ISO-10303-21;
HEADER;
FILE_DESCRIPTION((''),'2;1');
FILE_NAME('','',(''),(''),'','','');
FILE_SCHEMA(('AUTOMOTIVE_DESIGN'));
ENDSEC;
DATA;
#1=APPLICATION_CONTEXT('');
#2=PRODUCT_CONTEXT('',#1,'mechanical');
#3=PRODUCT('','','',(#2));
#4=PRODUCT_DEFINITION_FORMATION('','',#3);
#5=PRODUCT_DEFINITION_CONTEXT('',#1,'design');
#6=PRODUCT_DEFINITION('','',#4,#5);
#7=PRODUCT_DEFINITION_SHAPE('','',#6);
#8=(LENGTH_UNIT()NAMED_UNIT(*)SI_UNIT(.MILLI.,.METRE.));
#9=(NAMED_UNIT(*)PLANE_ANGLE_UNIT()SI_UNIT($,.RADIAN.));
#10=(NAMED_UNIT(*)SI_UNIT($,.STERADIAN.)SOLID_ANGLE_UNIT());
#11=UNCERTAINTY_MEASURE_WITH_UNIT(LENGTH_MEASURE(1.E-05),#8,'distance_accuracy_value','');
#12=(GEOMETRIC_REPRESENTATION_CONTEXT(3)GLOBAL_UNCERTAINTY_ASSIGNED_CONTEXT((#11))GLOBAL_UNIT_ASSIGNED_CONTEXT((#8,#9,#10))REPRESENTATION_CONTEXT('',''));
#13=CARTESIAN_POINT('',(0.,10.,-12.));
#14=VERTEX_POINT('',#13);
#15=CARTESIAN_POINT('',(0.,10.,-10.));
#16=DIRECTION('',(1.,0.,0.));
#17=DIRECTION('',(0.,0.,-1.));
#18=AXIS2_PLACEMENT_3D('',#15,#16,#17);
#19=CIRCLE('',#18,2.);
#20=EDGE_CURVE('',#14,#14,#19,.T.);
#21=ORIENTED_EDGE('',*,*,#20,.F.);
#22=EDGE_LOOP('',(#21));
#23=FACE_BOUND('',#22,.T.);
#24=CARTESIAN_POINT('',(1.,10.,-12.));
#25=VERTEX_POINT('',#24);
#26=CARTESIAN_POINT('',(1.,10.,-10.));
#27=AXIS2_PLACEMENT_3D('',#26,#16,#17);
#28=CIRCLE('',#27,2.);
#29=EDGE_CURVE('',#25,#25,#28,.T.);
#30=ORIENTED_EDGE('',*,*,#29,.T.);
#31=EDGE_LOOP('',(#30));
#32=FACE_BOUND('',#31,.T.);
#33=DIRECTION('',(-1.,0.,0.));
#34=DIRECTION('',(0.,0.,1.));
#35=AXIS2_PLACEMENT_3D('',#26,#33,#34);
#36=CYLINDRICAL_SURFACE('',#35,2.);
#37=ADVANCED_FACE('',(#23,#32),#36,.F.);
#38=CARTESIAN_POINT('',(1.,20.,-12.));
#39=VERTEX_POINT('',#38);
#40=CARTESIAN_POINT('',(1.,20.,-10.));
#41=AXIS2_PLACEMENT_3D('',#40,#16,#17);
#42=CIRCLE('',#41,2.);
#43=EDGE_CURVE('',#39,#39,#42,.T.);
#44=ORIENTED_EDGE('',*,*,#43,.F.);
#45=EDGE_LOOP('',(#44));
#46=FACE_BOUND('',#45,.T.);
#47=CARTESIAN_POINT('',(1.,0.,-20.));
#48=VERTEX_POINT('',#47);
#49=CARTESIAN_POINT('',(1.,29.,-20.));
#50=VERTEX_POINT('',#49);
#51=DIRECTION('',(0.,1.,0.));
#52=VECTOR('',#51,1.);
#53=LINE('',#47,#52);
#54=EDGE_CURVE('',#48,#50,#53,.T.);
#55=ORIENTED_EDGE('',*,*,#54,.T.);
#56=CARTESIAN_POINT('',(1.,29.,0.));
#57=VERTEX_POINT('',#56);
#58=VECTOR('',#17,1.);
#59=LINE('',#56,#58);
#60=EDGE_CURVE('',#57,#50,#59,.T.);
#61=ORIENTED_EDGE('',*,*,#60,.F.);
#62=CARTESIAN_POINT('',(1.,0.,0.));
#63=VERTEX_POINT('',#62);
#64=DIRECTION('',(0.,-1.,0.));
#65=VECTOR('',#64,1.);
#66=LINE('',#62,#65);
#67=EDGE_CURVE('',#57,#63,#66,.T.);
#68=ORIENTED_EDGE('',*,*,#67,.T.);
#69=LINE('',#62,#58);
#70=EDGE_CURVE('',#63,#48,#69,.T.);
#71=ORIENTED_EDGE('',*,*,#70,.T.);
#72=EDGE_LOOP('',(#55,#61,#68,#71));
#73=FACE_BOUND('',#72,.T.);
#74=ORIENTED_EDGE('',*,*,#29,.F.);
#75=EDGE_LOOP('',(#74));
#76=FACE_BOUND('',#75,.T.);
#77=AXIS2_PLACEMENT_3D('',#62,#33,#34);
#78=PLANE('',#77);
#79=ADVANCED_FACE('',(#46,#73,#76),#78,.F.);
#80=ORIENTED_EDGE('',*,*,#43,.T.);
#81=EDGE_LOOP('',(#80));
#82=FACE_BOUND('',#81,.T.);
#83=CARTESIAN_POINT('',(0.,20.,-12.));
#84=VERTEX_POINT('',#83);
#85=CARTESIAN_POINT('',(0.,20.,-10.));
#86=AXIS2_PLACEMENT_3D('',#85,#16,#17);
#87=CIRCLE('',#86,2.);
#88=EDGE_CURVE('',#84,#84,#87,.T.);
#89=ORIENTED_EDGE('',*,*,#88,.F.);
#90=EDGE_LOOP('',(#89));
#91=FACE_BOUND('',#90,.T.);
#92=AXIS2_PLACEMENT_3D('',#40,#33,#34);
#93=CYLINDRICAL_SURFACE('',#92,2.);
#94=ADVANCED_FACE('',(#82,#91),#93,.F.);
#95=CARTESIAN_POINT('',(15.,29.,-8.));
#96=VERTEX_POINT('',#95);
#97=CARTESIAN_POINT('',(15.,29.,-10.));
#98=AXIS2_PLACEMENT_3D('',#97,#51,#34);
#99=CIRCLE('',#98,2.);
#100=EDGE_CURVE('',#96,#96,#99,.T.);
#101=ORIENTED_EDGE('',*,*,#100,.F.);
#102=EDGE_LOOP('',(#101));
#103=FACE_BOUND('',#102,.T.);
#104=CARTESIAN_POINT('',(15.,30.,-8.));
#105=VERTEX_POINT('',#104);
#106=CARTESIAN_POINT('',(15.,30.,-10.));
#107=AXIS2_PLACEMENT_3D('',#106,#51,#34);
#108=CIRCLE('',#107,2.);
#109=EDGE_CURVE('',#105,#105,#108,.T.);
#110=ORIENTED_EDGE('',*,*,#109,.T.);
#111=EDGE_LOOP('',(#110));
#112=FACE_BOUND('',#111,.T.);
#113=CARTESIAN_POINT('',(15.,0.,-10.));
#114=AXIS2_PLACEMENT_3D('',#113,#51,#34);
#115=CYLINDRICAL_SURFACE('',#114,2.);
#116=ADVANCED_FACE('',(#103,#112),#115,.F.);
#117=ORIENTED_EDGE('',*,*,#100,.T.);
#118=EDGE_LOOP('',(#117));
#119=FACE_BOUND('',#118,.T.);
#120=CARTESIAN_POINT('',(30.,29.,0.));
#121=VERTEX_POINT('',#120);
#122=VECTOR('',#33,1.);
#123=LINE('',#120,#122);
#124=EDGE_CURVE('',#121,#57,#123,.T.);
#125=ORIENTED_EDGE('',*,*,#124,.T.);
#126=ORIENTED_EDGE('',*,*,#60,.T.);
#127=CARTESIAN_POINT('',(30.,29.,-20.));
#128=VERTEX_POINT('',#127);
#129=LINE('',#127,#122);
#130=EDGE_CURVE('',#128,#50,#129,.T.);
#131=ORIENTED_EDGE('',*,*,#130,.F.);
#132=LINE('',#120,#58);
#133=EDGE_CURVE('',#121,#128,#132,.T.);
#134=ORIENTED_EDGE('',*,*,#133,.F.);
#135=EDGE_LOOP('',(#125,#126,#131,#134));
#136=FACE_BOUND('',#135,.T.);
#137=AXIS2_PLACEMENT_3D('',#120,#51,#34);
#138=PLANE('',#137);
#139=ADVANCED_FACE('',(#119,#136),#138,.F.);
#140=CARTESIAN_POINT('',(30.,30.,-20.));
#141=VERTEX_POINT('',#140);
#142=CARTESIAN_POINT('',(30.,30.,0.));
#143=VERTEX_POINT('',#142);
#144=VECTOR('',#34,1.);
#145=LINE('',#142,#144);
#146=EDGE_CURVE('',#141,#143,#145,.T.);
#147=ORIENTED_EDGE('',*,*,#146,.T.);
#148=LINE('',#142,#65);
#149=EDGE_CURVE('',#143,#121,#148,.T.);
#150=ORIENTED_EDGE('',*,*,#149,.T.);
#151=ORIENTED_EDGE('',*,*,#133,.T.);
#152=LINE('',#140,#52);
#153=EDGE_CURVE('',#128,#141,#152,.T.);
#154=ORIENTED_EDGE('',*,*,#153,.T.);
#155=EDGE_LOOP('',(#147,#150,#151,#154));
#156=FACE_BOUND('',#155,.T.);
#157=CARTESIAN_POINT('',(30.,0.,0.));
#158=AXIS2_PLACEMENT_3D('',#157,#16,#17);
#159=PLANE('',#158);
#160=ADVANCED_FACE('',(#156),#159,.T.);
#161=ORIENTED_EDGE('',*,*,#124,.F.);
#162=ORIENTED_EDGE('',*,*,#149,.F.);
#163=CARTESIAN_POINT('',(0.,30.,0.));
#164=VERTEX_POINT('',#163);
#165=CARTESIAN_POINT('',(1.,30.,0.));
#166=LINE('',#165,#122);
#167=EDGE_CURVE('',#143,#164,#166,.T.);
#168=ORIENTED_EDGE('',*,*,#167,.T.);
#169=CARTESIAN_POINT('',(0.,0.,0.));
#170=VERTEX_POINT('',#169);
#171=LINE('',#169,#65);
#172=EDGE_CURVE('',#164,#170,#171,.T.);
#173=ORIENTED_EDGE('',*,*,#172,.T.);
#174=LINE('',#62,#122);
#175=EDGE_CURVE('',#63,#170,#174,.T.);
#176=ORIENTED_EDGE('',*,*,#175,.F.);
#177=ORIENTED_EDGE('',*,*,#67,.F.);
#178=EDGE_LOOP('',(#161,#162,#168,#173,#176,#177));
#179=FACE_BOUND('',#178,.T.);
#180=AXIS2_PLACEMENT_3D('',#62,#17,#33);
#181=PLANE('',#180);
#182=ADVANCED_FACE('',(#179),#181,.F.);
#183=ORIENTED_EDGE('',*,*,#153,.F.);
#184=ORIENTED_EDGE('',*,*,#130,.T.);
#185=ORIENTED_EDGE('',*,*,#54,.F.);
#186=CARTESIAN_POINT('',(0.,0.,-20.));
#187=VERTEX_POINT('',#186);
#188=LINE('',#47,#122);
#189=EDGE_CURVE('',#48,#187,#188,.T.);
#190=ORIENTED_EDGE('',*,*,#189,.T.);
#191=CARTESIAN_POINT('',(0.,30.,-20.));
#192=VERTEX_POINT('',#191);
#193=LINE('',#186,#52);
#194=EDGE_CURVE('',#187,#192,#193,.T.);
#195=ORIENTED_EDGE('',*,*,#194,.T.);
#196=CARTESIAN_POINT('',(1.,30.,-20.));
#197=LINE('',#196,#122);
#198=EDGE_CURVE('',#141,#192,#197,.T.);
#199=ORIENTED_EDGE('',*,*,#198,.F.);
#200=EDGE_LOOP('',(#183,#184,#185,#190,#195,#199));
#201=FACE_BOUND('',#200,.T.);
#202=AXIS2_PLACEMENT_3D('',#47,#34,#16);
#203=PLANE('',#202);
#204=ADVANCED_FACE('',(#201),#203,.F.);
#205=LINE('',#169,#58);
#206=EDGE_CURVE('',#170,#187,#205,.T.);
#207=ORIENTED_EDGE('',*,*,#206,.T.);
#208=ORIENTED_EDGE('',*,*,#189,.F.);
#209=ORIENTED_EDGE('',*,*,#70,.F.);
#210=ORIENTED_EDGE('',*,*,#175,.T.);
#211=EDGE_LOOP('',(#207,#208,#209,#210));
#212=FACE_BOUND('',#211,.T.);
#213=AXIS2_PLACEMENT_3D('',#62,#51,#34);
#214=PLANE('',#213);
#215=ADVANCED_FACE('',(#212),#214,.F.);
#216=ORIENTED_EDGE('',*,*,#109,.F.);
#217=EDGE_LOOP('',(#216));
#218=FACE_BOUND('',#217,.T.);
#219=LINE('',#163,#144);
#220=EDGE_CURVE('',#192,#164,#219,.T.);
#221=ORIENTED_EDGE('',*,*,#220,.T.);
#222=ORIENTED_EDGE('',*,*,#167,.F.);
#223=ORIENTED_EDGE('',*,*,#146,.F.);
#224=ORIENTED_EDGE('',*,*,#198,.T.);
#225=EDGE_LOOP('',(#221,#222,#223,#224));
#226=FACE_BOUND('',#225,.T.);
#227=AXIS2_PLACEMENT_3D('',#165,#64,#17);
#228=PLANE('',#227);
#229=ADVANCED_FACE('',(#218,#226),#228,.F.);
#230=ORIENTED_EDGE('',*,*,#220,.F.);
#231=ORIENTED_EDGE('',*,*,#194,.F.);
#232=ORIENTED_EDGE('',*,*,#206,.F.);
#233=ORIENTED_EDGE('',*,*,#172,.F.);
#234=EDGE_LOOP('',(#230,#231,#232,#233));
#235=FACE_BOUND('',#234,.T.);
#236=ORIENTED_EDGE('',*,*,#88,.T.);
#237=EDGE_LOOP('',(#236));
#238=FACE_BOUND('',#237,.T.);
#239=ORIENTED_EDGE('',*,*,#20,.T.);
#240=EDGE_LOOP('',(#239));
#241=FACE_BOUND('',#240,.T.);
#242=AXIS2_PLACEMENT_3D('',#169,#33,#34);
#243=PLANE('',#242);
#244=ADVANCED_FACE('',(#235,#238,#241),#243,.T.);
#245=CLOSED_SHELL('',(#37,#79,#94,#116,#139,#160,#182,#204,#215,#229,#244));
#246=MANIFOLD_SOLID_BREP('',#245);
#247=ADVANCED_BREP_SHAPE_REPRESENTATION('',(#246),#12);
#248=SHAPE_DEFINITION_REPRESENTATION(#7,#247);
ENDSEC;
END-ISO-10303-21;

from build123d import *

# Parameters (mm, degrees)
SKETCH2_W           = 20
SKETCH2_H           = 30
SKETCH2_R           = 2
BOSS_EXTRUDE1_DEPTH = 1
SKETCH3_W           = 20
SKETCH3_H           = 1
BOSS_EXTRUDE2_DEPTH = 29
SKETCH4_R           = 2
CUT_EXTRUDE1_DEPTH  = 30


with BuildPart() as part:
    # Sketch2 → Boss-Extrude1 (new body)
    with BuildSketch(Plane(origin=(0, 0, 0), x_dir=(0, 0, -1), z_dir=(1, 0, 0))):
        with Locations((10, 15)):
            Rectangle(SKETCH2_W, SKETCH2_H)
        with Locations((10, 20)):
            Circle(SKETCH2_R, mode=Mode.SUBTRACT)
        with Locations((10, 10)):
            Circle(SKETCH2_R, mode=Mode.SUBTRACT)
    extrude(amount=BOSS_EXTRUDE1_DEPTH)

    # Sketch3 → Boss-Extrude2 (add)
    with BuildSketch(Plane(origin=(1, 0, 0), x_dir=(0, 0, -1), z_dir=(1, 0, 0))):
        with Locations((10, 29.5)):
            Rectangle(SKETCH3_W, SKETCH3_H)
    extrude(amount=BOSS_EXTRUDE2_DEPTH)

    # Sketch4 → Cut-Extrude1 (cut)
    with BuildSketch(Plane(origin=(0, 30, 0), x_dir=(1, 0, 0), z_dir=(0, 1, 0))):
        with Locations((15, 10)):
            Circle(SKETCH4_R)
    extrude(amount=-CUT_EXTRUDE1_DEPTH, mode=Mode.SUBTRACT)


solid = part.part
